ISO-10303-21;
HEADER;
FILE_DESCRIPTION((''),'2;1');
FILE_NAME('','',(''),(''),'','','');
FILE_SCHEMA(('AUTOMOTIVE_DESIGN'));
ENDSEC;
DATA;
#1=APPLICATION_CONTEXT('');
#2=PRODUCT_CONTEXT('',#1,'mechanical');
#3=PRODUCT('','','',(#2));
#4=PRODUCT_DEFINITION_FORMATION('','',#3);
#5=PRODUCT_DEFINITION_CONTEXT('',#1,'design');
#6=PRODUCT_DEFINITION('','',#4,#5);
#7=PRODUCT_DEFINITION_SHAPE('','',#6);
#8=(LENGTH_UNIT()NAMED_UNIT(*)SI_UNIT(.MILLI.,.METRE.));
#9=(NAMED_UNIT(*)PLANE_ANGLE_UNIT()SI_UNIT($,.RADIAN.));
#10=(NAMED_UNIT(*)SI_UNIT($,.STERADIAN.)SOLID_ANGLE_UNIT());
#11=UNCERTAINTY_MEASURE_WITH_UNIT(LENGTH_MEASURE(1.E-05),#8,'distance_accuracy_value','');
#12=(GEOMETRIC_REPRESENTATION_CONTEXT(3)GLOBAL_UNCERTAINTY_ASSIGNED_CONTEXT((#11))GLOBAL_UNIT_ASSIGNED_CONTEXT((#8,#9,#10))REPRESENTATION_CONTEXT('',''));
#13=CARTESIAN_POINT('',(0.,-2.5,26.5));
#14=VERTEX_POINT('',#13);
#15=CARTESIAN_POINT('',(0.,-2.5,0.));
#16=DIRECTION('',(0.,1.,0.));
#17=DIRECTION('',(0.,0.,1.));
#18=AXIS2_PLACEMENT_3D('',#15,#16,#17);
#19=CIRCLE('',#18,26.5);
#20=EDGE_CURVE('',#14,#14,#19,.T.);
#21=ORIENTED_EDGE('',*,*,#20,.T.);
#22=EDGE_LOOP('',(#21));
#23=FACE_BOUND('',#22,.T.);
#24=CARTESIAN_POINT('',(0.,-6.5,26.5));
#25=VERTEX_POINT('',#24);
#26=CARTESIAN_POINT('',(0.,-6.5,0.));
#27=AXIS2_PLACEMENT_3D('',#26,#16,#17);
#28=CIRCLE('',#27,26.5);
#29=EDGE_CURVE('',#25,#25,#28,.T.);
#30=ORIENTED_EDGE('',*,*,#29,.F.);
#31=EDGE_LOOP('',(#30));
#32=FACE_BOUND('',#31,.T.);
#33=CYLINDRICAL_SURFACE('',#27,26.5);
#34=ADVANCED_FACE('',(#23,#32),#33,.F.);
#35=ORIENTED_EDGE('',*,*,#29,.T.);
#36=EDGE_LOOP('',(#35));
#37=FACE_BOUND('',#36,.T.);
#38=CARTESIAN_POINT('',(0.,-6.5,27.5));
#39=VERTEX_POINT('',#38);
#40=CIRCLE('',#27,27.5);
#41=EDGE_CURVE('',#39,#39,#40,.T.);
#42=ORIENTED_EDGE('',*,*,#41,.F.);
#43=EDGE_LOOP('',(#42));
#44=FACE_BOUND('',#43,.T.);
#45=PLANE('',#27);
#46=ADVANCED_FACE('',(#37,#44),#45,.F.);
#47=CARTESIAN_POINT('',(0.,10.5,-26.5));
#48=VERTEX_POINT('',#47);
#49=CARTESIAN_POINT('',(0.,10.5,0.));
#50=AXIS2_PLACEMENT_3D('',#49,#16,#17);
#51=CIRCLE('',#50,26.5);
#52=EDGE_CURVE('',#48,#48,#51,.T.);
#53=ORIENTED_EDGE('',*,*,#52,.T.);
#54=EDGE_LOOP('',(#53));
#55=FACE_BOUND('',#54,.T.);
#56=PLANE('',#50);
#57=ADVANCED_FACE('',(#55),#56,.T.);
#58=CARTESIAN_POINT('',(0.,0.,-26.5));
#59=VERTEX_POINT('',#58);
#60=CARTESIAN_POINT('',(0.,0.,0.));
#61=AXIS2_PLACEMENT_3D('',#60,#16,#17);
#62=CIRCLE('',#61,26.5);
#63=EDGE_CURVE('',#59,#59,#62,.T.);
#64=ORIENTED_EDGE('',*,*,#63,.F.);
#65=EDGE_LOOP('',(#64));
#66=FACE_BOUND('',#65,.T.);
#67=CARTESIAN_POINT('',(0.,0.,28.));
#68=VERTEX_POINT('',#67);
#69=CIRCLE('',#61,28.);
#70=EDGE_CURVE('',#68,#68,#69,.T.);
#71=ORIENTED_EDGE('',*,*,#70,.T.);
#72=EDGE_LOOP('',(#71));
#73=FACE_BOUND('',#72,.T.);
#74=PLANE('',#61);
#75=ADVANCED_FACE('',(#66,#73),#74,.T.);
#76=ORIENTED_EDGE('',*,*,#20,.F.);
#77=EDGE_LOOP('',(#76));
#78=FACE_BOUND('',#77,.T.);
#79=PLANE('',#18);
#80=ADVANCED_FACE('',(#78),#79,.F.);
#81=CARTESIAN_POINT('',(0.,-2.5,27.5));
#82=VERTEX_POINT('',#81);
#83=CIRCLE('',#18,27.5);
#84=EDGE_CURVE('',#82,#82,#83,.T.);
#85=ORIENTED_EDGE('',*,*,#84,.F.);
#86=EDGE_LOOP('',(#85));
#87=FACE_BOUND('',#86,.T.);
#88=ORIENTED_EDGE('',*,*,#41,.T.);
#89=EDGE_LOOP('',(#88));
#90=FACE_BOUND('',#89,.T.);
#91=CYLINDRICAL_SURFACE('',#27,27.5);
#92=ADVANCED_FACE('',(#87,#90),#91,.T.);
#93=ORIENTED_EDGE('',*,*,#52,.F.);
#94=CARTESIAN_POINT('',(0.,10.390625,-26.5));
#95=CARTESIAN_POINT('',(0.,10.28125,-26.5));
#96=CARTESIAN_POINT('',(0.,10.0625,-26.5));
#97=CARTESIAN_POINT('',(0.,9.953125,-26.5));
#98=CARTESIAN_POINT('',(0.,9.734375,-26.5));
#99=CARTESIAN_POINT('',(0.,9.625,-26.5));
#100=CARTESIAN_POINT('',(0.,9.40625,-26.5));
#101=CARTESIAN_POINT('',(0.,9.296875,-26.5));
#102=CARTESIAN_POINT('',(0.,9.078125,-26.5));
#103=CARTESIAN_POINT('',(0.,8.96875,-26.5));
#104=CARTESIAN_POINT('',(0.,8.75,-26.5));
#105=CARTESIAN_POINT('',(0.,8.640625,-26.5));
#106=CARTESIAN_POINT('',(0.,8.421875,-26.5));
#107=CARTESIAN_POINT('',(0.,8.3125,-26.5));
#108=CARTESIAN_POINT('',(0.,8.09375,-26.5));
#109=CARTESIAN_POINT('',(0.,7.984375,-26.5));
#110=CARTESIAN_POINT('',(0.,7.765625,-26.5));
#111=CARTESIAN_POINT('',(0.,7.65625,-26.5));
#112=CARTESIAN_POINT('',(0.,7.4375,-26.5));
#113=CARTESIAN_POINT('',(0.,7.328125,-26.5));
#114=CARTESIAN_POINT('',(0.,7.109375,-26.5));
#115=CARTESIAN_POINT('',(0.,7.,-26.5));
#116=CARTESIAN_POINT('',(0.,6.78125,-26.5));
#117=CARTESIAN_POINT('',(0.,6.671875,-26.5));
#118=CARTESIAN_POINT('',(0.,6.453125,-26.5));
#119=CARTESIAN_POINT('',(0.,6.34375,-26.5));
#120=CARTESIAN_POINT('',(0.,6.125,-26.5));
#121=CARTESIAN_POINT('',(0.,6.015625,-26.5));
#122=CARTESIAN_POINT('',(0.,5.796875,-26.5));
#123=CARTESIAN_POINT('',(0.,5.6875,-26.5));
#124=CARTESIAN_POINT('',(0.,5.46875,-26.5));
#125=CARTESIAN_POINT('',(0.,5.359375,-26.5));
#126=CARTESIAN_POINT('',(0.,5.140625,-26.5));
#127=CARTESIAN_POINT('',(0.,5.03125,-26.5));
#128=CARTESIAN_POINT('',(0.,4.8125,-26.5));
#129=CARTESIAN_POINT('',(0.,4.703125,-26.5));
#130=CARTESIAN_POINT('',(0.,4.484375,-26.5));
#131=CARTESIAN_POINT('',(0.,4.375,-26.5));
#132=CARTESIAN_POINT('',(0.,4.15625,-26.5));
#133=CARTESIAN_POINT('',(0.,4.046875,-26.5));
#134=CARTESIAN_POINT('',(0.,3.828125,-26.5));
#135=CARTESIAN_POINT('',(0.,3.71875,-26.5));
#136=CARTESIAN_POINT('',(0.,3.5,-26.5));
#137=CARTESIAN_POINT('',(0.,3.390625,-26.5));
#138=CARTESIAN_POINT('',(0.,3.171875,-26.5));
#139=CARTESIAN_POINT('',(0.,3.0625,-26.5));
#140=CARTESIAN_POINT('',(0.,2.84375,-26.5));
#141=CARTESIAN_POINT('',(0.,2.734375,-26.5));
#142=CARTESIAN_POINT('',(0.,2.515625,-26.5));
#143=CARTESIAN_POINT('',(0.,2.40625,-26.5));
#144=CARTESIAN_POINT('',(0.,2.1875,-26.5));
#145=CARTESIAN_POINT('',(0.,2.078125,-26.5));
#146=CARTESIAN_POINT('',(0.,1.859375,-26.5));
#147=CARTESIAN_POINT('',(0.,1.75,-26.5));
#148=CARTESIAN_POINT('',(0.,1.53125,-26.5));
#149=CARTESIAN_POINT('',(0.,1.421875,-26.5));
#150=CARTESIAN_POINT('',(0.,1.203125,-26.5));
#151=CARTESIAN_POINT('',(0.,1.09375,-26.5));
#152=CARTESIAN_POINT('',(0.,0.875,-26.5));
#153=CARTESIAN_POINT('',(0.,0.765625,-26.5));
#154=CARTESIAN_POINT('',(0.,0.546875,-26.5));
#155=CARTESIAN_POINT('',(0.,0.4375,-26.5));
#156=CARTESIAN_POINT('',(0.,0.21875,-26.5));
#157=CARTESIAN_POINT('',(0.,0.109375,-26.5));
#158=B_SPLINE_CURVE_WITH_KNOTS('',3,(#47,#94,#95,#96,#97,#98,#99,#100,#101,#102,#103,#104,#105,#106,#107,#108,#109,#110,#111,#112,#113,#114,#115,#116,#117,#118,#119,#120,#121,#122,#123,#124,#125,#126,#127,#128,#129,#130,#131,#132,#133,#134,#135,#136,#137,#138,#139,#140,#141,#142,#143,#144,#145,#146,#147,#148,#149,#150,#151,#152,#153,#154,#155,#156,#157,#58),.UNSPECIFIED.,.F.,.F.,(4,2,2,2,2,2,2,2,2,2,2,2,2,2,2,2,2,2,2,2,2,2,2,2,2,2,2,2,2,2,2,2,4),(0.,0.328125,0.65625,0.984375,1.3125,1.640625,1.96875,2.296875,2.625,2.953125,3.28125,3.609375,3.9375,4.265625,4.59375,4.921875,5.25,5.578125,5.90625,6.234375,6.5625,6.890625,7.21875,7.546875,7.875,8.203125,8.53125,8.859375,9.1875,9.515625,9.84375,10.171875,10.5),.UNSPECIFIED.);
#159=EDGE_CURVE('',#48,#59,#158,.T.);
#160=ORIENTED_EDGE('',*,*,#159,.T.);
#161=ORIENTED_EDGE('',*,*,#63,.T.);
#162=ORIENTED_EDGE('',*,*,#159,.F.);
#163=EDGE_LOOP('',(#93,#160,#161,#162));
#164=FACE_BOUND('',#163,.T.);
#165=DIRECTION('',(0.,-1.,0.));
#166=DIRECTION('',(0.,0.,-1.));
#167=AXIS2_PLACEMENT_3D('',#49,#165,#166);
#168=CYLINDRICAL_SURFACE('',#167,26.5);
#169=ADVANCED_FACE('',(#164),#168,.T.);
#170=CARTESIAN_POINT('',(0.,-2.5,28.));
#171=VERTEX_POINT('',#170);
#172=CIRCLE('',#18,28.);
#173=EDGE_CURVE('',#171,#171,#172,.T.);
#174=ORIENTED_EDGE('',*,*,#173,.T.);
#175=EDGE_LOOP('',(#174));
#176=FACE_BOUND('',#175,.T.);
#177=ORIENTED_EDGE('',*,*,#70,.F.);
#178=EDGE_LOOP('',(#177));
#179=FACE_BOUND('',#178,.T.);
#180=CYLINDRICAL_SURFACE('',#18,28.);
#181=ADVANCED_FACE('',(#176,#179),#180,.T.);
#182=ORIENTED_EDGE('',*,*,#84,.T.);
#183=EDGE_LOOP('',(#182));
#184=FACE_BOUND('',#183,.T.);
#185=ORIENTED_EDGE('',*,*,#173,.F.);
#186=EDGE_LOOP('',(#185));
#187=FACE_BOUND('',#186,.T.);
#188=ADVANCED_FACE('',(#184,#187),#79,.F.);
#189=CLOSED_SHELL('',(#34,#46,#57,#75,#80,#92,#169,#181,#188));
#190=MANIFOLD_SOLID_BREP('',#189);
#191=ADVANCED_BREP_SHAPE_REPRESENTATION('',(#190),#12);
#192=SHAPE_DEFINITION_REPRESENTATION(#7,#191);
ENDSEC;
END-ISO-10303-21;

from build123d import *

# Parameters (mm, degrees)
SKETCH1_R           = 26.5
BOSS_EXTRUDE1_DEPTH = 10.5
SKETCH1_3_R         = 28
BOSS_EXTRUDE2_DEPTH = 2.5
BOSS_EXTRUDE3_START = -6.5
SKETCH1_4_R         = 27.5
SKETCH1_4_R_2       = 26.5
BOSS_EXTRUDE3_DEPTH = 6.5


with BuildPart() as part:
    # Sketch1 → Boss-Extrude1 (new body)
    with BuildSketch(Plane(origin=(0, 0, 0), x_dir=(1, 0, 0), z_dir=(0, 1, 0))):
        Circle(SKETCH1_R)
    extrude(amount=BOSS_EXTRUDE1_DEPTH)

    # Sketch1<3> → Boss-Extrude2 (add)
    with BuildSketch(Plane(origin=(0, 0, 0), x_dir=(1, 0, 0), z_dir=(0, 1, 0))):
        Circle(SKETCH1_3_R)
    extrude(amount=-BOSS_EXTRUDE2_DEPTH)

    # Sketch1<4> → Boss-Extrude3 (add)
    with BuildSketch(Plane(origin=(0, 0, 0), x_dir=(1, 0, 0), z_dir=(0, 1, 0)).offset(BOSS_EXTRUDE3_START)):
        Circle(SKETCH1_4_R)
        Circle(SKETCH1_4_R_2, mode=Mode.SUBTRACT)
    extrude(amount=BOSS_EXTRUDE3_DEPTH)


solid = part.part
